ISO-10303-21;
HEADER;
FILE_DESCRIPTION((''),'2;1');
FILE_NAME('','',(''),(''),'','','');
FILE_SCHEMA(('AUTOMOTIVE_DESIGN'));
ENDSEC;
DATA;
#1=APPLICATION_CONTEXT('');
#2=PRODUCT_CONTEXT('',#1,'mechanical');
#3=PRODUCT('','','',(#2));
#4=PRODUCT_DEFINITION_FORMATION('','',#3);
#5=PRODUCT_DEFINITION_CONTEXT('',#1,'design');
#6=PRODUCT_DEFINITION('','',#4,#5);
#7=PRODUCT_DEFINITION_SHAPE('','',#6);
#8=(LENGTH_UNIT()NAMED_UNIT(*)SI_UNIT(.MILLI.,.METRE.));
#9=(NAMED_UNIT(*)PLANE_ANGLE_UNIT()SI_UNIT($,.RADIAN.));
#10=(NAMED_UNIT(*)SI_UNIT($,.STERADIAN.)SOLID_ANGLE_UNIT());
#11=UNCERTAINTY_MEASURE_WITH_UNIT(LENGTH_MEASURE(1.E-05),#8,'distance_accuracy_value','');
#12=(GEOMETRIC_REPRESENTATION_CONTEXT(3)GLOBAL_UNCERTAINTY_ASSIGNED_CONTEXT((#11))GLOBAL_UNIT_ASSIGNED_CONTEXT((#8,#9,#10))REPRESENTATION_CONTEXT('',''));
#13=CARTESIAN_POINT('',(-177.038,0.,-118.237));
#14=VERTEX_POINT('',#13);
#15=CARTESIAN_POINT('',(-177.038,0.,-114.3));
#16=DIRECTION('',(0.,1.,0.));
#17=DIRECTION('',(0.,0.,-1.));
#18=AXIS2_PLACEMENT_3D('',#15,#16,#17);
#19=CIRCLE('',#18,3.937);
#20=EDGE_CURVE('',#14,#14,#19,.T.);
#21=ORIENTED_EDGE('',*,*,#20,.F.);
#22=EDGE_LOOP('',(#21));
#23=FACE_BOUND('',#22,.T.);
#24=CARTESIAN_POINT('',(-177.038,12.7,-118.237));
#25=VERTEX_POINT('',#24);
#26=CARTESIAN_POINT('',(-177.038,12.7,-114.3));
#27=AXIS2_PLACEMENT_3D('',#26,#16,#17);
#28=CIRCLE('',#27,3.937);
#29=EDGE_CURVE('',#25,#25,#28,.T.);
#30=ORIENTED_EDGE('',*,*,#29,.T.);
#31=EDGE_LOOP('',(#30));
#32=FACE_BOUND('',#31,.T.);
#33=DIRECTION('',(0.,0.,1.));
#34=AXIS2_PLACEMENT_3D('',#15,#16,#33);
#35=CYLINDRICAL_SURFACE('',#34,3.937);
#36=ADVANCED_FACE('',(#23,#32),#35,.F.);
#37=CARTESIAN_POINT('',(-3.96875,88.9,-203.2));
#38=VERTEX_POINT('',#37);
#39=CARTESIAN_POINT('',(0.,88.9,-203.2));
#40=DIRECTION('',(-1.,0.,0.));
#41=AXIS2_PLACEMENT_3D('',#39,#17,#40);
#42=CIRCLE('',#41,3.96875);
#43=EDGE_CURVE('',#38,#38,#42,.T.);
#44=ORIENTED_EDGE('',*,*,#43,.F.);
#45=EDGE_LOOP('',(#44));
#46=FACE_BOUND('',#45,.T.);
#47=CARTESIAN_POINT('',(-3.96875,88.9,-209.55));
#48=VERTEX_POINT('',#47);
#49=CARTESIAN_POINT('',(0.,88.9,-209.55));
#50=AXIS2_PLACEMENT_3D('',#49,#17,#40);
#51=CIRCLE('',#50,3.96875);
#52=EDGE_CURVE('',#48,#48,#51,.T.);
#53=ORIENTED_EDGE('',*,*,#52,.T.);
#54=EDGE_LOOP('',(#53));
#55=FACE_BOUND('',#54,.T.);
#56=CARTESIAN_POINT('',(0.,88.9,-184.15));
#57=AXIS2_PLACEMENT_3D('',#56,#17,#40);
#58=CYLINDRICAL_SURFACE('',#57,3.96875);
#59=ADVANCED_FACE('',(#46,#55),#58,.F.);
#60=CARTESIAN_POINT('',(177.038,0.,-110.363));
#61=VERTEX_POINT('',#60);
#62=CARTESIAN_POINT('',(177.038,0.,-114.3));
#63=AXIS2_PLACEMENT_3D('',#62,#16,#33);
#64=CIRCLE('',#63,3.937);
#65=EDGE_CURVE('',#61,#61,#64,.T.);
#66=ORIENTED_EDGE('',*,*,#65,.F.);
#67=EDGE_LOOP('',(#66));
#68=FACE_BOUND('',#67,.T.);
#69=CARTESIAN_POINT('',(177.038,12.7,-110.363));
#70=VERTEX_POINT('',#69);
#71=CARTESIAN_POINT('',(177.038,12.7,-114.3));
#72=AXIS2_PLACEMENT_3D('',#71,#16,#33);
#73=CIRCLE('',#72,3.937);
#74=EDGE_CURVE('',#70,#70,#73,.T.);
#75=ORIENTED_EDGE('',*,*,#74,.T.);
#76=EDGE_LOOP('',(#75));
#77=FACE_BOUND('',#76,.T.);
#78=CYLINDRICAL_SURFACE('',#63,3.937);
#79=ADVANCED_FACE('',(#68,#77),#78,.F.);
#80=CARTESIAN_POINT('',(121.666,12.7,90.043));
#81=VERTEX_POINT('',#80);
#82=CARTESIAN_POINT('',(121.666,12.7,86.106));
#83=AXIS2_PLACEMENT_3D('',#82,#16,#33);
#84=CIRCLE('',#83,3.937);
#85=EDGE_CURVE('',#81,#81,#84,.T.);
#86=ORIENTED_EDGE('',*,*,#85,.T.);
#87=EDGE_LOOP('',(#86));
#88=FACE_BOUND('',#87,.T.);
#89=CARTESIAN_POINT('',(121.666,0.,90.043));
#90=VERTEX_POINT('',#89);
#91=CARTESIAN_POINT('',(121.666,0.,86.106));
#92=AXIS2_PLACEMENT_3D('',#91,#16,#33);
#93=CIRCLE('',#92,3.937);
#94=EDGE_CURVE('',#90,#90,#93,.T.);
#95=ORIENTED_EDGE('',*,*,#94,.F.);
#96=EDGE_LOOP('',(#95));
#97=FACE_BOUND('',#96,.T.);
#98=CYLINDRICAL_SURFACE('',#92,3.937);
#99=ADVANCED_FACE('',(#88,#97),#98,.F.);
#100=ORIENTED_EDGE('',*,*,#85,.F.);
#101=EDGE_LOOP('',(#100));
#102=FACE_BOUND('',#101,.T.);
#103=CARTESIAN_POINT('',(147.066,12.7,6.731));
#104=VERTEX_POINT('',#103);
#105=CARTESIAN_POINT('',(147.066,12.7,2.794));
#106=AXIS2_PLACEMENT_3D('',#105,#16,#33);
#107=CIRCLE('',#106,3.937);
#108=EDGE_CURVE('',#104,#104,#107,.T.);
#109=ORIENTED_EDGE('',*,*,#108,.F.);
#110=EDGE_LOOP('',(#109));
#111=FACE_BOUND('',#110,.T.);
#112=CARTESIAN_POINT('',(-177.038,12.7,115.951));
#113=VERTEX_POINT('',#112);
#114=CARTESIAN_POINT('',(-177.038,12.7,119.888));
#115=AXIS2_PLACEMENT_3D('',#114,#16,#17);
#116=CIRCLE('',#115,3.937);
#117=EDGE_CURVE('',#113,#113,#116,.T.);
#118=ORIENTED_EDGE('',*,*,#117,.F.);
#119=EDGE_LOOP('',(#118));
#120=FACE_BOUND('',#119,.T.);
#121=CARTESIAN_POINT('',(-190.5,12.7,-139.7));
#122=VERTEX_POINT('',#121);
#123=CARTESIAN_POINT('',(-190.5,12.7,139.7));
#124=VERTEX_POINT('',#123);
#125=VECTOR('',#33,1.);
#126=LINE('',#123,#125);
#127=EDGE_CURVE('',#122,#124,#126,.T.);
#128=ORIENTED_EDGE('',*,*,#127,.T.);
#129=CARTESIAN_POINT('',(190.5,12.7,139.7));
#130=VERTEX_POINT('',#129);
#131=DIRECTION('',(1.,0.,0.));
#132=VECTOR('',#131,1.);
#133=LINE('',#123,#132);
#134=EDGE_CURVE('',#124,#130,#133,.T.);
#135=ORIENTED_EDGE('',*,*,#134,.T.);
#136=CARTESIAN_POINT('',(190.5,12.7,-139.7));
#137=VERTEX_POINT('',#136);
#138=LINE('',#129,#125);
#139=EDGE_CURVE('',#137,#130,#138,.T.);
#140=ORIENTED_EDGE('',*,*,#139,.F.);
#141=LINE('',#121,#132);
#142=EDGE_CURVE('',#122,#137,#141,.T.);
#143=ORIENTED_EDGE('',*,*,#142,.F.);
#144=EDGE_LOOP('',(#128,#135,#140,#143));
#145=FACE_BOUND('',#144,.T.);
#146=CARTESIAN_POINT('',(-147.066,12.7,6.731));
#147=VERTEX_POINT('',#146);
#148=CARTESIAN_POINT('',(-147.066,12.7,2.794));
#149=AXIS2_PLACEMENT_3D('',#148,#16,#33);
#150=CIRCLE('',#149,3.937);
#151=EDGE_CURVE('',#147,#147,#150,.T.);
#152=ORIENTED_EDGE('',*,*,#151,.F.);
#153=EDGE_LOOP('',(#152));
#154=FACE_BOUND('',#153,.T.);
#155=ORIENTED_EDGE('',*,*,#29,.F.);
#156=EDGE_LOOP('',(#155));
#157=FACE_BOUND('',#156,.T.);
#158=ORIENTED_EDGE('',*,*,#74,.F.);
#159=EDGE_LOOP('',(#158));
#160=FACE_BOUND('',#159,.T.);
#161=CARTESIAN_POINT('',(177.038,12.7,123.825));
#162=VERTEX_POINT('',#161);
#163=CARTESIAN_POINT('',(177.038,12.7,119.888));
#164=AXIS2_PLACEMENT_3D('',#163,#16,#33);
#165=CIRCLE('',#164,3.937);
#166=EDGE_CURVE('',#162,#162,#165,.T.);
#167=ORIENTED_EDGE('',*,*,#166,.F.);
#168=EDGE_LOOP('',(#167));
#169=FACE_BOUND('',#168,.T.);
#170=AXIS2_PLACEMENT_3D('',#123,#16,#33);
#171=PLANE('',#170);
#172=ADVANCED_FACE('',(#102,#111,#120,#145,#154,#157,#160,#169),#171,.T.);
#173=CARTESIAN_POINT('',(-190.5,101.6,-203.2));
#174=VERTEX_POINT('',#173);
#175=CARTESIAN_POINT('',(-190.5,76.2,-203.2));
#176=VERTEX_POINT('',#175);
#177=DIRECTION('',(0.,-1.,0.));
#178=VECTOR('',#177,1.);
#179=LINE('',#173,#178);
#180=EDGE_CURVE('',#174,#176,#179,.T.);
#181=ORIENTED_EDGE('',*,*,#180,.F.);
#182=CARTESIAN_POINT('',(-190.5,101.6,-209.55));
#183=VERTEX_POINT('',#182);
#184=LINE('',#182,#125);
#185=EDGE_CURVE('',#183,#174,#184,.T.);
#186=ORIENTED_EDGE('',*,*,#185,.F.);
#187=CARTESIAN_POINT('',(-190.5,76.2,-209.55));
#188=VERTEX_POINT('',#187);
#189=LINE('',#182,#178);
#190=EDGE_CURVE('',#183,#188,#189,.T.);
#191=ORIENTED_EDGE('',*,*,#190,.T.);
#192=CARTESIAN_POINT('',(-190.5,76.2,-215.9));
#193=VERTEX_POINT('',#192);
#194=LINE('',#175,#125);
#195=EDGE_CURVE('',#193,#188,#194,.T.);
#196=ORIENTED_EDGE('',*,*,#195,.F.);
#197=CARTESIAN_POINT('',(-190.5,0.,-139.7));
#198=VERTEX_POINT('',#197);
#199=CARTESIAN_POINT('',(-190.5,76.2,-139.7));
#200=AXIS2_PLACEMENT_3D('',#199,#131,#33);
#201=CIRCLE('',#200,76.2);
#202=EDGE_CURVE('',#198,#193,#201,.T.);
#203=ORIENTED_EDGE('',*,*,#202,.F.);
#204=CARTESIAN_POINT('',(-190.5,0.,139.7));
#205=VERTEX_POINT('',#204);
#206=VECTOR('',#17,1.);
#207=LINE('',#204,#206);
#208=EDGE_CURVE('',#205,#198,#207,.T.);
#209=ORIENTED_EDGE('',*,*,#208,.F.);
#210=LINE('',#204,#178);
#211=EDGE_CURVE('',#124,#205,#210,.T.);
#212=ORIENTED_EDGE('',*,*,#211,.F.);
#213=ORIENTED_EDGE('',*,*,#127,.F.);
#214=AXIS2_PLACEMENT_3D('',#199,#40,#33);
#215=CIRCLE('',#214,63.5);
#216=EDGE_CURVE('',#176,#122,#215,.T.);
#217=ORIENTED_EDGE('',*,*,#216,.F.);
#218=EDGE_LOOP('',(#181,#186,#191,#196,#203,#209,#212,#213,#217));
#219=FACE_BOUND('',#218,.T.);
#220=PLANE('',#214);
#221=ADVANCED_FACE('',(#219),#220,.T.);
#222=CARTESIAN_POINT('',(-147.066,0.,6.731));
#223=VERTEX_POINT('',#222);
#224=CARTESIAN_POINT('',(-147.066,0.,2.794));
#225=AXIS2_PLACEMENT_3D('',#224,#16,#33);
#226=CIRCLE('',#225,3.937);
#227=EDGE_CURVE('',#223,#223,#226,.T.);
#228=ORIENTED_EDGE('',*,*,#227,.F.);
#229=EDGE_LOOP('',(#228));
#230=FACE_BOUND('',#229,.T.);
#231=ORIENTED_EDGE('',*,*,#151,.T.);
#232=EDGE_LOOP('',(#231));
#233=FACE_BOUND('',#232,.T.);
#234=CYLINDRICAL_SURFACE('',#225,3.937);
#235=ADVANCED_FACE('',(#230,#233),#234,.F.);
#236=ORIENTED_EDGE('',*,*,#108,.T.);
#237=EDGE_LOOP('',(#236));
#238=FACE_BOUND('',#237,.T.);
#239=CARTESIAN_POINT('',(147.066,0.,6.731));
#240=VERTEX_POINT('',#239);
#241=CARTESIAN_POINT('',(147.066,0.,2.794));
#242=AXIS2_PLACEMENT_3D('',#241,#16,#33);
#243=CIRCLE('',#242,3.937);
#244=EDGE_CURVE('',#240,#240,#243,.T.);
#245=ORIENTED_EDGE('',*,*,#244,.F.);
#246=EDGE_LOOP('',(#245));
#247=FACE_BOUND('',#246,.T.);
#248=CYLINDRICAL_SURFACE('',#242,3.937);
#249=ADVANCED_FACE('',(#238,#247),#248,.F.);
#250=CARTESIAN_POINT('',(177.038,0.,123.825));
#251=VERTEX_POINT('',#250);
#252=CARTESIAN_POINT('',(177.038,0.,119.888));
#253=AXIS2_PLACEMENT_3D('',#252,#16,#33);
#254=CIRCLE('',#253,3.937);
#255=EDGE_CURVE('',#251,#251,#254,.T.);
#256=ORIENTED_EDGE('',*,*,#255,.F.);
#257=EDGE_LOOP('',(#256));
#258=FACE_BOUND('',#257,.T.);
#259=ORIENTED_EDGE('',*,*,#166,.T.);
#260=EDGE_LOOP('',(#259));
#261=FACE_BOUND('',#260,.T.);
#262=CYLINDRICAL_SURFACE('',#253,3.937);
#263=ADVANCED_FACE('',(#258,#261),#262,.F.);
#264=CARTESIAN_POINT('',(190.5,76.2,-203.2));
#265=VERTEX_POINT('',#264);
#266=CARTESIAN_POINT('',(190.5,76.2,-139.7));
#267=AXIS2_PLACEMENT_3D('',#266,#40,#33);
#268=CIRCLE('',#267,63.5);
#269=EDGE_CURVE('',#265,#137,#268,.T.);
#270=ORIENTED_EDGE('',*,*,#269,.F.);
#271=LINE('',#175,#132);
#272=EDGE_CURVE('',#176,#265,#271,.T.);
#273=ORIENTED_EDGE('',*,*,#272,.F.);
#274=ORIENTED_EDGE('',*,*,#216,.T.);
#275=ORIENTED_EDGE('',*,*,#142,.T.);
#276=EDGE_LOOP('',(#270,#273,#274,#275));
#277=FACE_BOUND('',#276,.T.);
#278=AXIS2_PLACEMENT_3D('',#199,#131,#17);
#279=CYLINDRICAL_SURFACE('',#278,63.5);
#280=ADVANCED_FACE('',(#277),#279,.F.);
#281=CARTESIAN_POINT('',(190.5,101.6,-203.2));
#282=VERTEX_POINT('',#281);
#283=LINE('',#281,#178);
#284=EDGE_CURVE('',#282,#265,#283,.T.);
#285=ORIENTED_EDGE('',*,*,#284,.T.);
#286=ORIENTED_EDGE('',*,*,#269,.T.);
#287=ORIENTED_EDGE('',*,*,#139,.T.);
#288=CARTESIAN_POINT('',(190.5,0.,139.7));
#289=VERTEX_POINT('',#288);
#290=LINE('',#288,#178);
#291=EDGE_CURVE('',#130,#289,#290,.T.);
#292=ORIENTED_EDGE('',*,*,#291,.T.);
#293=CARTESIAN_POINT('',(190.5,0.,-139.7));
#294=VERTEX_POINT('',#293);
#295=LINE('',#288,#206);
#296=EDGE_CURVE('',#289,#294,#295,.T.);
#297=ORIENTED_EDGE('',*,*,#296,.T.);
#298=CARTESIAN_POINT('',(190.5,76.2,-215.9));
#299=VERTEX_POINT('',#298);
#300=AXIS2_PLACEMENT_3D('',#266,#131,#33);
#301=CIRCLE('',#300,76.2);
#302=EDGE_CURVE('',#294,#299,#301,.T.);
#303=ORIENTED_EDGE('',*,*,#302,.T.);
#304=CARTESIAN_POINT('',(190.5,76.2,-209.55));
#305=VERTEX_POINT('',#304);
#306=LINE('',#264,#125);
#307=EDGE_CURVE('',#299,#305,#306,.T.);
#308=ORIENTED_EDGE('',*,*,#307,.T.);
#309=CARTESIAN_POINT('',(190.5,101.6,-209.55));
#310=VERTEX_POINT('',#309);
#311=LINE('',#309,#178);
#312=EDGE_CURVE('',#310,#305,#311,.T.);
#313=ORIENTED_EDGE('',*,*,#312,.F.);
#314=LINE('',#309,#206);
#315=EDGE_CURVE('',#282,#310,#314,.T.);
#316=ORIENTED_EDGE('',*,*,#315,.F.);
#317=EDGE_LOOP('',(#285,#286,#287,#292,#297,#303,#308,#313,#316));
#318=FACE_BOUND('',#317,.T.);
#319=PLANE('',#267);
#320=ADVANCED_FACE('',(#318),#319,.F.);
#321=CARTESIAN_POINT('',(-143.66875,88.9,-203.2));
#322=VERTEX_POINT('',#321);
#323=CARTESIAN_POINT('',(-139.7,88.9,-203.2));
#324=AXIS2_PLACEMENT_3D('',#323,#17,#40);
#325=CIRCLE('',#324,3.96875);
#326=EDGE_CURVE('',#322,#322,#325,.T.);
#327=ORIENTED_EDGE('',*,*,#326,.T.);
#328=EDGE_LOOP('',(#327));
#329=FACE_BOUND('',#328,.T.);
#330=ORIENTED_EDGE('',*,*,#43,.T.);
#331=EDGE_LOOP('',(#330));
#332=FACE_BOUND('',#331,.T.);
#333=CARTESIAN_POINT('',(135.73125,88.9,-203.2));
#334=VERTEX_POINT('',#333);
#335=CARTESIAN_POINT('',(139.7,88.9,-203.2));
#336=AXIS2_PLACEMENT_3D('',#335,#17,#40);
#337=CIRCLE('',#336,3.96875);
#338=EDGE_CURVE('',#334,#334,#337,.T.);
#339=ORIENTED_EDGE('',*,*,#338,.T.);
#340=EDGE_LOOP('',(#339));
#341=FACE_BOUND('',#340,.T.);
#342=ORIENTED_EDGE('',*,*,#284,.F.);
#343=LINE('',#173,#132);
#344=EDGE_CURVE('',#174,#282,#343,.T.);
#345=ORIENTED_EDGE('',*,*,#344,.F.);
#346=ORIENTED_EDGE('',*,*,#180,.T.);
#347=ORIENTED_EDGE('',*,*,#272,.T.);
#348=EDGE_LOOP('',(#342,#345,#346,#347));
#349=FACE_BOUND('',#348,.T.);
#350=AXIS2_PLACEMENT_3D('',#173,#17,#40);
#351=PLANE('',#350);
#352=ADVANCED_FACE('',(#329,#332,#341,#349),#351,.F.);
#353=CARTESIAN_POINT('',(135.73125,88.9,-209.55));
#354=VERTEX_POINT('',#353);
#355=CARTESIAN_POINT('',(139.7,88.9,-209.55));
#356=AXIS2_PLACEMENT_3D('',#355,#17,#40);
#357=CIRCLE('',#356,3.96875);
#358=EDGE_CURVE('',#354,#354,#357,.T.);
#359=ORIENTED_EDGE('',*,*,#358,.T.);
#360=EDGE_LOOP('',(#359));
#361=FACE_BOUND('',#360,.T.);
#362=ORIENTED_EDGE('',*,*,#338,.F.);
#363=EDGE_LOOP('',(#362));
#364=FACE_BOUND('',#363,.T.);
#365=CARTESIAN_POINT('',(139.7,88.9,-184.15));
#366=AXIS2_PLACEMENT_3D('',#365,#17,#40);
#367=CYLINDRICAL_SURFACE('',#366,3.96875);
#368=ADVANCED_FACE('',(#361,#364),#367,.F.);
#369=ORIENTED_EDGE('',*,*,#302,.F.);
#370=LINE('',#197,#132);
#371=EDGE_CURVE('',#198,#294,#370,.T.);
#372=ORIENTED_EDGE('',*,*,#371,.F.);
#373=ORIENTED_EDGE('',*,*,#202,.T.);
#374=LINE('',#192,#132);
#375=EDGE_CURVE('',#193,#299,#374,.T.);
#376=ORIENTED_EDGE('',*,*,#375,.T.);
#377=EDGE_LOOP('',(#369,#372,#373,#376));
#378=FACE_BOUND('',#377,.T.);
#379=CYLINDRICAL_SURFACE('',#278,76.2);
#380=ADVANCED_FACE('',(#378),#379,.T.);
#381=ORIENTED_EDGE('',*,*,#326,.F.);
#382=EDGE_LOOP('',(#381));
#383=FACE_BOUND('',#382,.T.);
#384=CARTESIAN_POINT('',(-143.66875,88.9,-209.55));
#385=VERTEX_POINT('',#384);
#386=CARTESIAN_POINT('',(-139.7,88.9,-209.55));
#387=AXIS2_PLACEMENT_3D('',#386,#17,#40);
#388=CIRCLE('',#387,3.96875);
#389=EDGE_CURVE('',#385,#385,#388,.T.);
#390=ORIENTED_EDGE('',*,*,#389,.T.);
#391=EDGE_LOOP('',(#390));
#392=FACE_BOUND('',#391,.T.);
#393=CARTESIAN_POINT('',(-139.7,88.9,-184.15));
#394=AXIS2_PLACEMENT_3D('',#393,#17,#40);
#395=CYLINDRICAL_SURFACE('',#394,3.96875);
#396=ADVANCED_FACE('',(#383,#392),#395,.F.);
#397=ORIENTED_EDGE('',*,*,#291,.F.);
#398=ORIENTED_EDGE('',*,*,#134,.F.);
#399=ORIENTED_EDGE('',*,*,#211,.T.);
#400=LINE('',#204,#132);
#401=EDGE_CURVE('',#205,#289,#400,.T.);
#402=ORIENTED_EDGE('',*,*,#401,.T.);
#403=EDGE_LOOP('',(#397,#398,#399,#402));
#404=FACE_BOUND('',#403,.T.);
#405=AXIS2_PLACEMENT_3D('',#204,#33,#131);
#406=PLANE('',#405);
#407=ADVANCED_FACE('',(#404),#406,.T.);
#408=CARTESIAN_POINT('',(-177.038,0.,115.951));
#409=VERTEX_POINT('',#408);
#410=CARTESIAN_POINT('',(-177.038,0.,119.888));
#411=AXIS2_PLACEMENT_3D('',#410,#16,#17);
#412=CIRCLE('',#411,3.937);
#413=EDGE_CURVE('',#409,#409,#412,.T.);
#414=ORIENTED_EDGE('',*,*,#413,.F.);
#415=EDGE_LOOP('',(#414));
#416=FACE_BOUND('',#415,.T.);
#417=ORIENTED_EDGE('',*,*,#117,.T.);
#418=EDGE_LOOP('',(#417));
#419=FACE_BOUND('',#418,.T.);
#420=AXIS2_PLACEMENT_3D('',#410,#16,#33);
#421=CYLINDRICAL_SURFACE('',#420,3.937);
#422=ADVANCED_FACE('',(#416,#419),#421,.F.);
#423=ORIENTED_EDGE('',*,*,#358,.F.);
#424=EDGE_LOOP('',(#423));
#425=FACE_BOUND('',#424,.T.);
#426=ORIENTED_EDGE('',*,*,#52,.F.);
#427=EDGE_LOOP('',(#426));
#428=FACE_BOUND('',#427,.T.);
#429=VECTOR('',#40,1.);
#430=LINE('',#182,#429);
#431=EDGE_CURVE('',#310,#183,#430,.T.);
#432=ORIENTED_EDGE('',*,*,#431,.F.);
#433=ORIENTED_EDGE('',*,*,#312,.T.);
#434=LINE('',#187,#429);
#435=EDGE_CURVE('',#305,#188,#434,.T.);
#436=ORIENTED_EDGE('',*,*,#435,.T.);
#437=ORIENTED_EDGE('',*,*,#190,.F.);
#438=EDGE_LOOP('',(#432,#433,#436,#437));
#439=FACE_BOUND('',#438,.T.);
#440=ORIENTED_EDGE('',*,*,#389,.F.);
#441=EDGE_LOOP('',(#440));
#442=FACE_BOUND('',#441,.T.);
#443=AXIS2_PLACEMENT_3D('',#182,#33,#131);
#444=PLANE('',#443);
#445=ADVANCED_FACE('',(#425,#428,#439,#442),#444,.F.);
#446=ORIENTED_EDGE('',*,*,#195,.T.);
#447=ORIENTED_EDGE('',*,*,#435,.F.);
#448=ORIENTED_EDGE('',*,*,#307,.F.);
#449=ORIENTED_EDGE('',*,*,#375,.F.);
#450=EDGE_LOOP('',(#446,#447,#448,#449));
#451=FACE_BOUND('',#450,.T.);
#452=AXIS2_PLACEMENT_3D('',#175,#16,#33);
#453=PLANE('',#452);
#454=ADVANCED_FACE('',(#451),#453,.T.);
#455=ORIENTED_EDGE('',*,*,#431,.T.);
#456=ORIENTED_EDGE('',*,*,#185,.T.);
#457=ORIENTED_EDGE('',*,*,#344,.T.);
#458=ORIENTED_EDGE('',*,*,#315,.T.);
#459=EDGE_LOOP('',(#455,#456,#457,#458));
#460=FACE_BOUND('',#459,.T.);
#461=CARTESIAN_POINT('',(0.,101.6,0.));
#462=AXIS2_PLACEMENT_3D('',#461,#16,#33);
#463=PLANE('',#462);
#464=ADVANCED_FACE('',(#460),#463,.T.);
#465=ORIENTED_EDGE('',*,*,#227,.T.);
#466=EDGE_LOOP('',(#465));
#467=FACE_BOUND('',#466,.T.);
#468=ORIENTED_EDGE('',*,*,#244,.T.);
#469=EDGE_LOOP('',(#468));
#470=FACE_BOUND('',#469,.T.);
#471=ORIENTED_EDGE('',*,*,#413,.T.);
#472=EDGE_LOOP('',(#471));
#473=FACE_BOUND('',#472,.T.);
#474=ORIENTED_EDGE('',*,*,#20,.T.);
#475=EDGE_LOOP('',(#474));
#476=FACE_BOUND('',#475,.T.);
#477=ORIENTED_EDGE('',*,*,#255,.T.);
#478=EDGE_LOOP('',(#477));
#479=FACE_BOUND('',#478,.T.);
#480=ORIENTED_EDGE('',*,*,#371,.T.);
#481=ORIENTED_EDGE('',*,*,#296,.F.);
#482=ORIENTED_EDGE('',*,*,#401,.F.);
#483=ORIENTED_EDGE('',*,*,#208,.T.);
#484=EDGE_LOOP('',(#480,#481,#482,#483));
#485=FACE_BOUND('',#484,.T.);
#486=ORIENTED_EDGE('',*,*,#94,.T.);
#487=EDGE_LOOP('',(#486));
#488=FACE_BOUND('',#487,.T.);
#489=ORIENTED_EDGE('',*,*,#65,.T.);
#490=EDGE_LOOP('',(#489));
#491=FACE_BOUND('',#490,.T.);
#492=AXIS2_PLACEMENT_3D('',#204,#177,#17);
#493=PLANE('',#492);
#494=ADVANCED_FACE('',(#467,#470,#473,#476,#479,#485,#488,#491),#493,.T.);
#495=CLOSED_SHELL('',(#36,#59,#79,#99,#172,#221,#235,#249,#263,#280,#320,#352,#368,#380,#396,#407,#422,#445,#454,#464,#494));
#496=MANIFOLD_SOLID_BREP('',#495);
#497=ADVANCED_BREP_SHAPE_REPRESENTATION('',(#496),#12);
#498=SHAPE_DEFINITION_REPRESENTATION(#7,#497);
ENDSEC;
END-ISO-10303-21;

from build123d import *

# Parameters (mm, degrees)
BOSS_EXTRUDE1_DEPTH      = 190.5
BOSS_EXTRUDE1_DEPTH_BACK = 190.5
SKETCH2_W                = 381
SKETCH2_H                = 6.35
BOSS_EXTRUDE2_DEPTH      = 25.4
SKETCH3_R                = 3.96875
CUT_EXTRUDE1_DEPTH       = 25.4
SKETCH4_R                = 3.937
CUT_EXTRUDE2_DEPTH       = 302.34078715


with BuildPart() as part:
    # Sketch1 → Boss-Extrude1 (new, two sides: drawn at the far end of the back side and taken through both)
    with BuildSketch(Plane(origin=(0, 0, 0), x_dir=(0, 0, -1), z_dir=(1, 0, 0)).offset(-BOSS_EXTRUDE1_DEPTH_BACK)):
        with BuildLine():
            Line((-139.7, 0), (139.7, 0))
            ThreePointArc((139.7, 0), (193.581536726, 22.318463274), (215.9, 76.2))
            Line((215.9, 76.2), (203.2, 76.2))
            ThreePointArc((203.2, 76.2), (184.601280605, 31.298719395), (139.7, 12.7))
            Line((139.7, 12.7), (-139.7, 12.7))
            Line((-139.7, 12.7), (-139.7, 0))
        make_face()
    extrude(amount=BOSS_EXTRUDE1_DEPTH + BOSS_EXTRUDE1_DEPTH_BACK)

    # Sketch2 → Boss-Extrude2 (add)
    with BuildSketch(Plane(origin=(0, 76.2, 0), x_dir=(1, 0, 0), z_dir=(0, 1, 0))):
        with Locations((0, 206.375)):
            Rectangle(SKETCH2_W, SKETCH2_H)
    extrude(amount=BOSS_EXTRUDE2_DEPTH)

    # Sketch3 → Cut-Extrude1 (cut)
    with BuildSketch(Plane(origin=(0, 0, -209.55), x_dir=(-1, 0, 0), z_dir=(0, 0, -1))):
        with Locations((-139.7, 88.9)):
            Circle(SKETCH3_R)
        with Locations((139.7, 88.9)):
            Circle(SKETCH3_R)
        with Locations((0, 88.9)):
            Circle(SKETCH3_R)
    extrude(amount=-CUT_EXTRUDE1_DEPTH, mode=Mode.SUBTRACT)

    # Sketch4 → Cut-Extrude2 (cut, through all)
    with BuildSketch(Plane(origin=(0, 12.7, 0), x_dir=(1, 0, 0), z_dir=(0, 1, 0))):
        with Locations((177.038, -119.888)):
            Circle(SKETCH4_R)
        with Locations((177.038, 114.3)):
            Circle(SKETCH4_R)
        with Locations((-177.038, -119.888)):
            Circle(SKETCH4_R)
        with Locations((-177.038, 114.3)):
            Circle(SKETCH4_R)
        with Locations((147.066, -2.794)):
            Circle(SKETCH4_R)
        with Locations((-147.066, -2.794)):
            Circle(SKETCH4_R)
        with Locations((121.666, -86.106)):
            Circle(SKETCH4_R)
    extrude(amount=-CUT_EXTRUDE2_DEPTH, mode=Mode.SUBTRACT)


solid = part.part
